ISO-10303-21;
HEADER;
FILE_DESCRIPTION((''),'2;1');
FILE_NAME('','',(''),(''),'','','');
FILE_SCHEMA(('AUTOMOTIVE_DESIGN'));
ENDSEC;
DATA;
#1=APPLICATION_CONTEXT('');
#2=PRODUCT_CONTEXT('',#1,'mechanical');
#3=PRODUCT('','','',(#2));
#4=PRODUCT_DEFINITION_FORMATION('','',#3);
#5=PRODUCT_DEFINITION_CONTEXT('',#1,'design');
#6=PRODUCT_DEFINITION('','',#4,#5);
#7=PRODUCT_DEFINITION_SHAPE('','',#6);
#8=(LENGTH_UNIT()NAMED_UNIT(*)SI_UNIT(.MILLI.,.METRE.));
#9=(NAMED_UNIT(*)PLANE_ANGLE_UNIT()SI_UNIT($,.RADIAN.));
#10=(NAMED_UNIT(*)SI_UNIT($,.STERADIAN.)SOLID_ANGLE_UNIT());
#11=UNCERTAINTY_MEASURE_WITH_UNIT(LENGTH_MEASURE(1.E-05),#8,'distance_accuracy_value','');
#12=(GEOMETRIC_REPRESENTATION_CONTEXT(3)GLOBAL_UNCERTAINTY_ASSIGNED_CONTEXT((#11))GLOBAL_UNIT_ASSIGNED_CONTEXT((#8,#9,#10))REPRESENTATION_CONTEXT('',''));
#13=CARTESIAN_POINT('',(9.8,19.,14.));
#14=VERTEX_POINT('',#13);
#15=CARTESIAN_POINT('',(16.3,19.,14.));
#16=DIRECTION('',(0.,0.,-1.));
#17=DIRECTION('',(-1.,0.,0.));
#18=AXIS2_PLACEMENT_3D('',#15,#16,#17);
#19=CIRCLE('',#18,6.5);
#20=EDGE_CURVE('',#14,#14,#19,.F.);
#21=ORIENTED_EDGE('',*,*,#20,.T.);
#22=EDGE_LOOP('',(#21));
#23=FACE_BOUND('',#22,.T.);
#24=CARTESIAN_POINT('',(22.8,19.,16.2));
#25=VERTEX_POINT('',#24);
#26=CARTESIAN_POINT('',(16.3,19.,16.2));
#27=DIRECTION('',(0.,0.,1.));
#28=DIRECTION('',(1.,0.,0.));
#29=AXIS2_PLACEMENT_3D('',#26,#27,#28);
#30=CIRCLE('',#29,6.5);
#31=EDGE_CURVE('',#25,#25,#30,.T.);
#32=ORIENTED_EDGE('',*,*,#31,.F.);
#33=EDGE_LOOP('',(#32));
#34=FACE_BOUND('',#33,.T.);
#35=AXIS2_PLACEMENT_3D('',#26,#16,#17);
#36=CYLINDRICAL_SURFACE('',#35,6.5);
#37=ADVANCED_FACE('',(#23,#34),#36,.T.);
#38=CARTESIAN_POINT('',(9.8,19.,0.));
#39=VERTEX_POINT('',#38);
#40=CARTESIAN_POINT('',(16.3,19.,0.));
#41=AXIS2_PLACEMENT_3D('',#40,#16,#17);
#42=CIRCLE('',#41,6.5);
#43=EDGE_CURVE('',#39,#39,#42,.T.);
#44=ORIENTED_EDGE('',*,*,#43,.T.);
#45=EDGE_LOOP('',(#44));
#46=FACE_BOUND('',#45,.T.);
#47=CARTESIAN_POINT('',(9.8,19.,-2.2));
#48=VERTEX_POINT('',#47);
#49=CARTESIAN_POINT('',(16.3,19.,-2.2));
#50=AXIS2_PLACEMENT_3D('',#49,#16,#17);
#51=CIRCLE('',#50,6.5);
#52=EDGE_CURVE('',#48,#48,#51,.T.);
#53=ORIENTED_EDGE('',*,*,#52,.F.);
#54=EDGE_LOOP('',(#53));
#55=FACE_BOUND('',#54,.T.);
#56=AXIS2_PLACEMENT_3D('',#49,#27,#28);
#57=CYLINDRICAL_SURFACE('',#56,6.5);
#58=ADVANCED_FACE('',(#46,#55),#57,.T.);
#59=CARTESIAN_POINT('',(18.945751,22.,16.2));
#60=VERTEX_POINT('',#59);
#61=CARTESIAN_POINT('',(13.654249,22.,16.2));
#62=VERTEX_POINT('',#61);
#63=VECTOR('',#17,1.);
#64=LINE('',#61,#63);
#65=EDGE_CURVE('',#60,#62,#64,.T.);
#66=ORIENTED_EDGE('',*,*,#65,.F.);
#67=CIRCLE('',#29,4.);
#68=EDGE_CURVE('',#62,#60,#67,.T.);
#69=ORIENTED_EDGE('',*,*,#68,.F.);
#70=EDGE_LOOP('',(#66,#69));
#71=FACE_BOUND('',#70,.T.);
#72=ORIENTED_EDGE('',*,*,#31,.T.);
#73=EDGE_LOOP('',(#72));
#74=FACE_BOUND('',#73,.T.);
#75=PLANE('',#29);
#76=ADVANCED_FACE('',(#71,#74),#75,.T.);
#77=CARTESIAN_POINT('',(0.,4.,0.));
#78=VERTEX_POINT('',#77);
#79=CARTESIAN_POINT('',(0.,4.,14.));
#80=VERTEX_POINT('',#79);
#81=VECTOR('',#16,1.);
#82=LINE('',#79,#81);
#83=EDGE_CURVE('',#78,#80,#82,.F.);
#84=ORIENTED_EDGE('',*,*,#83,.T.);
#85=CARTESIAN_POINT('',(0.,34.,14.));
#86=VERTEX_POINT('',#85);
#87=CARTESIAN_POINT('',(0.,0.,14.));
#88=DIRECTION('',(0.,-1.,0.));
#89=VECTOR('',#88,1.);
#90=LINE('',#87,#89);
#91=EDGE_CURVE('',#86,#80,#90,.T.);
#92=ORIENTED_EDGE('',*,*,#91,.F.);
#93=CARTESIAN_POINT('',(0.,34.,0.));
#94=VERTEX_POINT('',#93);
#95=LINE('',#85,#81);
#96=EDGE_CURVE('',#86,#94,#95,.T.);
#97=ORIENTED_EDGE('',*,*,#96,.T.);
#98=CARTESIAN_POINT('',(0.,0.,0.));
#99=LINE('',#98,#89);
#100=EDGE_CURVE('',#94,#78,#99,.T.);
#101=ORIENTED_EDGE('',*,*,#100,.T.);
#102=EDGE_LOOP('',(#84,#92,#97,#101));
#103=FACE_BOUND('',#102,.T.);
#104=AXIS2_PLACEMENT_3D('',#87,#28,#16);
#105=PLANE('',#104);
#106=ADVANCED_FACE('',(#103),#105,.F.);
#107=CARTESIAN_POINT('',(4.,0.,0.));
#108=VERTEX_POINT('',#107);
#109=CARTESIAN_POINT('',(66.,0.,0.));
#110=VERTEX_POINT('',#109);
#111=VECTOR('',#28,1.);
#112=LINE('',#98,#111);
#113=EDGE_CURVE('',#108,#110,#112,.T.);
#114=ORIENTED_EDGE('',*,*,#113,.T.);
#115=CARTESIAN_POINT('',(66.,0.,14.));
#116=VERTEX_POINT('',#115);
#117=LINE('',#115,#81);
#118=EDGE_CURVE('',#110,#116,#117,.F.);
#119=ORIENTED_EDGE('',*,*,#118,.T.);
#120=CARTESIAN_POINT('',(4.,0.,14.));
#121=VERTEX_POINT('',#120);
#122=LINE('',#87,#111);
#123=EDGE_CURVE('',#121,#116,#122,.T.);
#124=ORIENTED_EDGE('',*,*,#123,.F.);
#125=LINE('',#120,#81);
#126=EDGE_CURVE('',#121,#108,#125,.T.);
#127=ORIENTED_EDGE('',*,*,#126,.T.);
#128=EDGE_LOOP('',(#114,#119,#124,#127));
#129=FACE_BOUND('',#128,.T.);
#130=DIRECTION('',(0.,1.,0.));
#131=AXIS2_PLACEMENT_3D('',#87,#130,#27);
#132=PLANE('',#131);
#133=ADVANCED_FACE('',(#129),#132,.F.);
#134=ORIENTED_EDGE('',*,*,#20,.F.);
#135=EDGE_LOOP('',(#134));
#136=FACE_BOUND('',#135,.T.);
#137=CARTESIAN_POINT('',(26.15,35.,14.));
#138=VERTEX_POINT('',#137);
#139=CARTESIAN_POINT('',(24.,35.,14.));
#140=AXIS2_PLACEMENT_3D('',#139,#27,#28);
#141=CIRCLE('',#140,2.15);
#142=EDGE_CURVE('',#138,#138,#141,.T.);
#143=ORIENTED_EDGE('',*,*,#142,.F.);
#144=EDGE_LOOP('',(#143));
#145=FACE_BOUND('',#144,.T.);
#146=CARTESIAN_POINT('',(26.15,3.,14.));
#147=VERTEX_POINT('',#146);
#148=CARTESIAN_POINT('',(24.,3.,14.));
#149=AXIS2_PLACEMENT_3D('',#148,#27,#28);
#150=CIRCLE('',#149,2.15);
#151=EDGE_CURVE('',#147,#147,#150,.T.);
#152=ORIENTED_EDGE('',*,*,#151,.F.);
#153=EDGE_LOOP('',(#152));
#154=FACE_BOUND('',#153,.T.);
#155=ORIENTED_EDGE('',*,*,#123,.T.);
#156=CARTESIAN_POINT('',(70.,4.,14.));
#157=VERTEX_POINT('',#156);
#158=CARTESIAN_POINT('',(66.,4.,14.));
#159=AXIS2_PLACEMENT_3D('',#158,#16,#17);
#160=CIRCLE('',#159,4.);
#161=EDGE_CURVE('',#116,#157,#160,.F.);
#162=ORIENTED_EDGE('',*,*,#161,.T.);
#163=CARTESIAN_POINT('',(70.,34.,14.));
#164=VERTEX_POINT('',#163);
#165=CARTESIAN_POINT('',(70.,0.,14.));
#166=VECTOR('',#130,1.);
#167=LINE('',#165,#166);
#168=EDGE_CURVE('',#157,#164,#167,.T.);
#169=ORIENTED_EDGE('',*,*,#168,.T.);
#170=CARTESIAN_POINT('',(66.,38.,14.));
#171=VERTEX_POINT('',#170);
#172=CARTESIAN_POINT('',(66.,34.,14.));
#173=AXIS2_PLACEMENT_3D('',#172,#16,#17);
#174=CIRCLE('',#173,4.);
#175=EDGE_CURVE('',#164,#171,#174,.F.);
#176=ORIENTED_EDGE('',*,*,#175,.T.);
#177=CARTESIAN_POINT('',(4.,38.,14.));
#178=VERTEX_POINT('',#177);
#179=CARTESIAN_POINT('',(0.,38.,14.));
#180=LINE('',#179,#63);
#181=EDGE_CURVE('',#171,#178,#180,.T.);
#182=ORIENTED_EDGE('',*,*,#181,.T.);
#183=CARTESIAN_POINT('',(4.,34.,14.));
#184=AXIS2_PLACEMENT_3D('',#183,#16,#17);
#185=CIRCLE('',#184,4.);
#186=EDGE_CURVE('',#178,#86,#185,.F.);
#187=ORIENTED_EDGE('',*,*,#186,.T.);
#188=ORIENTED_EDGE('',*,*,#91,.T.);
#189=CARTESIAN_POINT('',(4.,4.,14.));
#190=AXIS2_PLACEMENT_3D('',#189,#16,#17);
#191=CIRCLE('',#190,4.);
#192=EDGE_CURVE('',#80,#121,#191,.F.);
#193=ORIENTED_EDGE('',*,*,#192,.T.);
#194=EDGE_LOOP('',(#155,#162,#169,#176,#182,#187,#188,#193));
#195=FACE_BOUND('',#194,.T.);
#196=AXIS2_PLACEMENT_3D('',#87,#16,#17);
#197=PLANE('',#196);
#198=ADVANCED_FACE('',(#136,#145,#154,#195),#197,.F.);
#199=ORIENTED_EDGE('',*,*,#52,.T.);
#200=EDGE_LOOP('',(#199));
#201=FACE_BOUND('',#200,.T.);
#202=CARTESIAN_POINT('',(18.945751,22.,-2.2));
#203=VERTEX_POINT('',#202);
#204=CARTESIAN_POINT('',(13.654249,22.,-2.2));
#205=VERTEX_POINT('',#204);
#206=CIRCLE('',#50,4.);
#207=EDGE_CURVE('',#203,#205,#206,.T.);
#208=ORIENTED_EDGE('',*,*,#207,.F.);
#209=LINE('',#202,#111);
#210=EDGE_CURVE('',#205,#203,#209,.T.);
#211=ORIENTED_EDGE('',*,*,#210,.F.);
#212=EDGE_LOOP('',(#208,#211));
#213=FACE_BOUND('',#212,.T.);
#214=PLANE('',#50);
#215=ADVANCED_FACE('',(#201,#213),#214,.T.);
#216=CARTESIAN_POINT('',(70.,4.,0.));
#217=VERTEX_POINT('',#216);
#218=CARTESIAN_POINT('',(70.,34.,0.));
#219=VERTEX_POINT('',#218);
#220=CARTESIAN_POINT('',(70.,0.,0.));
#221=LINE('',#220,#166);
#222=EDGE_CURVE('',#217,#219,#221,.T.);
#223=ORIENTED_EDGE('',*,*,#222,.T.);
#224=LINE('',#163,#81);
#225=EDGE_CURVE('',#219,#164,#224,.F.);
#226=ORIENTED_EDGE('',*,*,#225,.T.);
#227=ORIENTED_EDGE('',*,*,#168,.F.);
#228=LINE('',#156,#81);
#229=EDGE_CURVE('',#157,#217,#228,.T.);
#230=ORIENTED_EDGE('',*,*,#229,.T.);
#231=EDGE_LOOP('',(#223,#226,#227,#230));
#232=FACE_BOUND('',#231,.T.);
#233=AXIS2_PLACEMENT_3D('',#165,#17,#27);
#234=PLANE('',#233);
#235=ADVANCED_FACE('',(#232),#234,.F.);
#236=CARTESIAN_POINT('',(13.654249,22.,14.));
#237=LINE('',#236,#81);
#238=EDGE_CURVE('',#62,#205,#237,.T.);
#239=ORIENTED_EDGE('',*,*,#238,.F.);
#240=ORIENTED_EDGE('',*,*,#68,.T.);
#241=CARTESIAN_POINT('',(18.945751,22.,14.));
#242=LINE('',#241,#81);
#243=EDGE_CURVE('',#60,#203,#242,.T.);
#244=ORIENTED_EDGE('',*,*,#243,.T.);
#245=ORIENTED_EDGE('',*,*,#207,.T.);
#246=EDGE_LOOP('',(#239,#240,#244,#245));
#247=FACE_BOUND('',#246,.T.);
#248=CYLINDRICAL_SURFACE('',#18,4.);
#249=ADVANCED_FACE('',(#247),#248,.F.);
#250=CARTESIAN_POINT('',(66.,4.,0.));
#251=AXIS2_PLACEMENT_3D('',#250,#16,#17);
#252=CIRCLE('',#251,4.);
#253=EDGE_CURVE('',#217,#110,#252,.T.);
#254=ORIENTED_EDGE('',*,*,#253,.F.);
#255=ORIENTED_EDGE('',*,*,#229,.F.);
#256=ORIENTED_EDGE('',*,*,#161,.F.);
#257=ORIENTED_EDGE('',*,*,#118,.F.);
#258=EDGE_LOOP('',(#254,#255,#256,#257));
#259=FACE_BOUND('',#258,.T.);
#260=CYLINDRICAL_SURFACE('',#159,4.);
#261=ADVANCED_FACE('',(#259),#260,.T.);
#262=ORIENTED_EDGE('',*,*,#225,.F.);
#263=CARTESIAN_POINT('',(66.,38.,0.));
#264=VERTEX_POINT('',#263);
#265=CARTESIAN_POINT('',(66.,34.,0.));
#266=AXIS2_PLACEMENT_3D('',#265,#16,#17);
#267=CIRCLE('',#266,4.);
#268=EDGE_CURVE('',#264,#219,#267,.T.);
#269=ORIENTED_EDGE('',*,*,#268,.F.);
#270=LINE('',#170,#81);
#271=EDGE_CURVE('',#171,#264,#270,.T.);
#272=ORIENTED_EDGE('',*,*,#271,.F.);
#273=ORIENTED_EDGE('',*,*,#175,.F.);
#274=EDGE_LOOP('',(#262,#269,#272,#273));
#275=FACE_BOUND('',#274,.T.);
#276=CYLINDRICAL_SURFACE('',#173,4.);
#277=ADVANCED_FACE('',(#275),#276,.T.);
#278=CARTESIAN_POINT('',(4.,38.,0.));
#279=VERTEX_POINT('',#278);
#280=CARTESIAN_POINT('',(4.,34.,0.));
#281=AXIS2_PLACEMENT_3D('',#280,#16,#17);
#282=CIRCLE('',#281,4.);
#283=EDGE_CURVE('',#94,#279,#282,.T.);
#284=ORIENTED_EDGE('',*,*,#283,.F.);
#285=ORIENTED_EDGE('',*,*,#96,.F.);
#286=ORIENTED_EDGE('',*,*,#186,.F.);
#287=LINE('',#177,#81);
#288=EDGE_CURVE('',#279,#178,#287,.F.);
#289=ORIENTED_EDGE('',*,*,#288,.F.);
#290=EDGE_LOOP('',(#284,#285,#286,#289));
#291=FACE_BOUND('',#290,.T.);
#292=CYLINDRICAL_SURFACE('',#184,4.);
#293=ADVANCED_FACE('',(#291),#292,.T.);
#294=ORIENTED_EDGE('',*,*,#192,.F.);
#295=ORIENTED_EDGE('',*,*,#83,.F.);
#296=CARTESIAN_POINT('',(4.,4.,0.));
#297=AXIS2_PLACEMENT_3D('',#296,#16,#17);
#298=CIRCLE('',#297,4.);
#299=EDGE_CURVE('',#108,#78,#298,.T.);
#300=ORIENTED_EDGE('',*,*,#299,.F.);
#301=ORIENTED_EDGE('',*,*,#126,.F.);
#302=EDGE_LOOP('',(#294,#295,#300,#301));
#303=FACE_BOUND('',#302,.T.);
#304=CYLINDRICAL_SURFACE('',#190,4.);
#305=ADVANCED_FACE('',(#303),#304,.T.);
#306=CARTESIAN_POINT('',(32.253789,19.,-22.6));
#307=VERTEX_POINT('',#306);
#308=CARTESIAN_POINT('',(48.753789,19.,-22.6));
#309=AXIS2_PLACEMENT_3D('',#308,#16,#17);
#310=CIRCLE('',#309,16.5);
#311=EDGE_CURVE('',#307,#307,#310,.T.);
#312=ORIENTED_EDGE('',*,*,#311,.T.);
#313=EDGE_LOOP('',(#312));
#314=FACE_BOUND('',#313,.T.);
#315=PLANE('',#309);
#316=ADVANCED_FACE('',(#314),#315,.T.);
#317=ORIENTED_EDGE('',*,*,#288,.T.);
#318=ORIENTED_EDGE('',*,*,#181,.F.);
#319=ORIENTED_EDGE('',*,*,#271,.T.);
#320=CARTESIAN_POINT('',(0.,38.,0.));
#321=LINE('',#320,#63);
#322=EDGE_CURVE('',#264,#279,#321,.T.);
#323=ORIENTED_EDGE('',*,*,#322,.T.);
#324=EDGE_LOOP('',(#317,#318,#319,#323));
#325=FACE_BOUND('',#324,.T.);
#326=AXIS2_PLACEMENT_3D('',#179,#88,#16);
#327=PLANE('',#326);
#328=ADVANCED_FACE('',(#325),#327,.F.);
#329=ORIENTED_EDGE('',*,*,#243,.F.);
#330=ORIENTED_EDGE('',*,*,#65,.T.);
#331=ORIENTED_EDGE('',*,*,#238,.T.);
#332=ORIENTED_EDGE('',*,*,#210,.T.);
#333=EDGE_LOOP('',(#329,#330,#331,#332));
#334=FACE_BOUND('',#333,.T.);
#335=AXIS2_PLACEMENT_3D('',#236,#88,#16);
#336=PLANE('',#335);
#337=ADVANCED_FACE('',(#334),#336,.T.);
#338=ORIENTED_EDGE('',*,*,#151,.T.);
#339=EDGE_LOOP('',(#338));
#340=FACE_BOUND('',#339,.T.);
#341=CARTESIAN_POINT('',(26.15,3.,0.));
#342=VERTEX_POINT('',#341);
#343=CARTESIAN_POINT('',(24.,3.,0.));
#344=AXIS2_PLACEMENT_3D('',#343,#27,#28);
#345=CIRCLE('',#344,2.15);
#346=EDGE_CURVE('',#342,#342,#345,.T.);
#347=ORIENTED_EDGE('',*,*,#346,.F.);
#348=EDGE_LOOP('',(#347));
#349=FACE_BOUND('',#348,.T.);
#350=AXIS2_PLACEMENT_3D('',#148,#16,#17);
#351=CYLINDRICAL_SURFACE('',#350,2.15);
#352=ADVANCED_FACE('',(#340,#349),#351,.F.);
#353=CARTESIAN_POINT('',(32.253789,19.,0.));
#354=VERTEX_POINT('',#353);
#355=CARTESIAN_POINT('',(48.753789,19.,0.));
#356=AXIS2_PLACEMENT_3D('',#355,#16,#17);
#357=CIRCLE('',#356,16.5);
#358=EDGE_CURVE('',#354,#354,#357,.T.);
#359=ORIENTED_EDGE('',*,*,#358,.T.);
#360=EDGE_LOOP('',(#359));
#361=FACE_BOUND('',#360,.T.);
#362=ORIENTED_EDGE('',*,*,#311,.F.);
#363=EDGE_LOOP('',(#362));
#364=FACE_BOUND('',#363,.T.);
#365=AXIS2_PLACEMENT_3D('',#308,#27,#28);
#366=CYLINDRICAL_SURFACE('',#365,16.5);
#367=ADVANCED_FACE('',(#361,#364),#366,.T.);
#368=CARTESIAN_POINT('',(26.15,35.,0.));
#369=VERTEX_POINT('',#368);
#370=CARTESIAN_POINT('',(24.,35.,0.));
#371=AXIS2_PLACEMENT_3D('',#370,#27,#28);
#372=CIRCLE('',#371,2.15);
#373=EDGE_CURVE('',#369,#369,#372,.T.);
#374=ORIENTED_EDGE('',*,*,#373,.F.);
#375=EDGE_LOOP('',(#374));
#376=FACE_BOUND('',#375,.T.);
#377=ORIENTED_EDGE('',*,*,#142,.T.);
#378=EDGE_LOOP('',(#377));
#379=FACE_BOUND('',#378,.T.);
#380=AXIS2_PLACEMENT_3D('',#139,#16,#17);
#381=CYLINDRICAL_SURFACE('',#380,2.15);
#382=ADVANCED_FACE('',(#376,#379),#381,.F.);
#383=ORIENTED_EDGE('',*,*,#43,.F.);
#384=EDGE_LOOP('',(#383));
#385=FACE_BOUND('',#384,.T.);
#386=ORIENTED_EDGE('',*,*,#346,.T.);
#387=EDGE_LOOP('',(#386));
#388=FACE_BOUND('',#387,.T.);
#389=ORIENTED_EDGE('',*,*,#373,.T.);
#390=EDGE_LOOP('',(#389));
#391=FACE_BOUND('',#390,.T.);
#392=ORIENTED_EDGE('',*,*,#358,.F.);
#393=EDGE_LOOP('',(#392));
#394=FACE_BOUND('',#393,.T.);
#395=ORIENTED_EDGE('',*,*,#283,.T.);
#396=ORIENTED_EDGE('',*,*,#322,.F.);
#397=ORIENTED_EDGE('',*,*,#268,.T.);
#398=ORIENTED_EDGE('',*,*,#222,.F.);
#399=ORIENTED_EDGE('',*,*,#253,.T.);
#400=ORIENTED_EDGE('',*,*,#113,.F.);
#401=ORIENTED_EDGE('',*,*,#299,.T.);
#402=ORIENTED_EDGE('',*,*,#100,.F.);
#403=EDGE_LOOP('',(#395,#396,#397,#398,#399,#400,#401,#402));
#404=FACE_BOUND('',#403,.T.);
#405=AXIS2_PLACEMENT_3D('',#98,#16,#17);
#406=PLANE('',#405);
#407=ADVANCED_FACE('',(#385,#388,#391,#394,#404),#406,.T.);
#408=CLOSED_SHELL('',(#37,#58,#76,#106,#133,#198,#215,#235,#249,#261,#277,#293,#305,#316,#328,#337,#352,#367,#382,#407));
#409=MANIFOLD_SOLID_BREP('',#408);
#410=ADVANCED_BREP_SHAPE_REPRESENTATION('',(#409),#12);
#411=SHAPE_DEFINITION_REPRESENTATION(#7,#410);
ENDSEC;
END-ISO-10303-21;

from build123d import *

# Parameters (mm, degrees)
SKETCH1_W           = 70
SKETCH1_H           = 38
SKETCH1_R           = 2.15
BOSS_EXTRUDE1_DEPTH = 14
FILLET1_R           = 4
SKETCH2_R           = 16.5
BOSS_EXTRUDE2_DEPTH = 22.6
BOSS_EXTRUDE3_START = 2.2
SKETCH3_R           = 6.5
BOSS_EXTRUDE3_DEPTH = 2.2
SKETCH4_R           = 6.5
BOSS_EXTRUDE4_DEPTH = 2.2


with BuildPart() as part:
    # Sketch1 → Boss-Extrude1 (new body)
    with BuildSketch(Plane.XY):
        with Locations((35, 19)):
            Rectangle(SKETCH1_W, SKETCH1_H)
        with Locations((24, 35)):
            Circle(SKETCH1_R, mode=Mode.SUBTRACT)
        with Locations((24, 3)):
            Circle(SKETCH1_R, mode=Mode.SUBTRACT)
        with BuildLine():
            Line((13.654248689, 22), (18.945751311, 22))
            ThreePointArc((18.945751311, 22), (16.3, 15), (13.654248689, 22))
        make_face(mode=Mode.SUBTRACT)
    extrude(amount=BOSS_EXTRUDE1_DEPTH)

    # Fillet1
    fillet1_edges = [part.edges().sort_by_distance(p)[0] for p in [
        (0, 38, 7),
        (70, 38, 7),
        (70, 0, 7),
        (0, 0, 7),
    ]]
    fillet(fillet1_edges, radius=FILLET1_R)

    # Sketch2 → Boss-Extrude2 (add)
    with BuildSketch(Plane(origin=(0, 0, 0), x_dir=(-1, 0, 0), z_dir=(0, 0, -1))):
        with Locations((-48.753788749, 19)):
            Circle(SKETCH2_R)
    extrude(amount=BOSS_EXTRUDE2_DEPTH)

    # Sketch3 → Boss-Extrude3 (add)
    with BuildSketch(Plane(origin=(0, 0, 0), x_dir=(-1, 0, 0), z_dir=(0, 0, -1)).offset(BOSS_EXTRUDE3_START)):
        with Locations((-16.3, 19)):
            Circle(SKETCH3_R)
        with BuildLine():
            Line((-18.945751311, 22), (-13.654248689, 22))
            ThreePointArc((-13.654248689, 22), (-16.3, 15), (-18.945751311, 22))
        make_face(mode=Mode.SUBTRACT)
    extrude(amount=-BOSS_EXTRUDE3_DEPTH)

    # Sketch4 → Boss-Extrude4 (add)
    with BuildSketch(Plane.XY.offset(14)):
        with Locations(Location((16.3, 19, 0), (0, 0, 180))):
            Circle(SKETCH4_R)
        with BuildLine():
            Line((13.654248689, 22), (18.945751311, 22))
            ThreePointArc((18.945751311, 22), (16.3, 15), (13.654248689, 22))
        make_face(mode=Mode.SUBTRACT)
    extrude(amount=BOSS_EXTRUDE4_DEPTH)


solid = part.part
